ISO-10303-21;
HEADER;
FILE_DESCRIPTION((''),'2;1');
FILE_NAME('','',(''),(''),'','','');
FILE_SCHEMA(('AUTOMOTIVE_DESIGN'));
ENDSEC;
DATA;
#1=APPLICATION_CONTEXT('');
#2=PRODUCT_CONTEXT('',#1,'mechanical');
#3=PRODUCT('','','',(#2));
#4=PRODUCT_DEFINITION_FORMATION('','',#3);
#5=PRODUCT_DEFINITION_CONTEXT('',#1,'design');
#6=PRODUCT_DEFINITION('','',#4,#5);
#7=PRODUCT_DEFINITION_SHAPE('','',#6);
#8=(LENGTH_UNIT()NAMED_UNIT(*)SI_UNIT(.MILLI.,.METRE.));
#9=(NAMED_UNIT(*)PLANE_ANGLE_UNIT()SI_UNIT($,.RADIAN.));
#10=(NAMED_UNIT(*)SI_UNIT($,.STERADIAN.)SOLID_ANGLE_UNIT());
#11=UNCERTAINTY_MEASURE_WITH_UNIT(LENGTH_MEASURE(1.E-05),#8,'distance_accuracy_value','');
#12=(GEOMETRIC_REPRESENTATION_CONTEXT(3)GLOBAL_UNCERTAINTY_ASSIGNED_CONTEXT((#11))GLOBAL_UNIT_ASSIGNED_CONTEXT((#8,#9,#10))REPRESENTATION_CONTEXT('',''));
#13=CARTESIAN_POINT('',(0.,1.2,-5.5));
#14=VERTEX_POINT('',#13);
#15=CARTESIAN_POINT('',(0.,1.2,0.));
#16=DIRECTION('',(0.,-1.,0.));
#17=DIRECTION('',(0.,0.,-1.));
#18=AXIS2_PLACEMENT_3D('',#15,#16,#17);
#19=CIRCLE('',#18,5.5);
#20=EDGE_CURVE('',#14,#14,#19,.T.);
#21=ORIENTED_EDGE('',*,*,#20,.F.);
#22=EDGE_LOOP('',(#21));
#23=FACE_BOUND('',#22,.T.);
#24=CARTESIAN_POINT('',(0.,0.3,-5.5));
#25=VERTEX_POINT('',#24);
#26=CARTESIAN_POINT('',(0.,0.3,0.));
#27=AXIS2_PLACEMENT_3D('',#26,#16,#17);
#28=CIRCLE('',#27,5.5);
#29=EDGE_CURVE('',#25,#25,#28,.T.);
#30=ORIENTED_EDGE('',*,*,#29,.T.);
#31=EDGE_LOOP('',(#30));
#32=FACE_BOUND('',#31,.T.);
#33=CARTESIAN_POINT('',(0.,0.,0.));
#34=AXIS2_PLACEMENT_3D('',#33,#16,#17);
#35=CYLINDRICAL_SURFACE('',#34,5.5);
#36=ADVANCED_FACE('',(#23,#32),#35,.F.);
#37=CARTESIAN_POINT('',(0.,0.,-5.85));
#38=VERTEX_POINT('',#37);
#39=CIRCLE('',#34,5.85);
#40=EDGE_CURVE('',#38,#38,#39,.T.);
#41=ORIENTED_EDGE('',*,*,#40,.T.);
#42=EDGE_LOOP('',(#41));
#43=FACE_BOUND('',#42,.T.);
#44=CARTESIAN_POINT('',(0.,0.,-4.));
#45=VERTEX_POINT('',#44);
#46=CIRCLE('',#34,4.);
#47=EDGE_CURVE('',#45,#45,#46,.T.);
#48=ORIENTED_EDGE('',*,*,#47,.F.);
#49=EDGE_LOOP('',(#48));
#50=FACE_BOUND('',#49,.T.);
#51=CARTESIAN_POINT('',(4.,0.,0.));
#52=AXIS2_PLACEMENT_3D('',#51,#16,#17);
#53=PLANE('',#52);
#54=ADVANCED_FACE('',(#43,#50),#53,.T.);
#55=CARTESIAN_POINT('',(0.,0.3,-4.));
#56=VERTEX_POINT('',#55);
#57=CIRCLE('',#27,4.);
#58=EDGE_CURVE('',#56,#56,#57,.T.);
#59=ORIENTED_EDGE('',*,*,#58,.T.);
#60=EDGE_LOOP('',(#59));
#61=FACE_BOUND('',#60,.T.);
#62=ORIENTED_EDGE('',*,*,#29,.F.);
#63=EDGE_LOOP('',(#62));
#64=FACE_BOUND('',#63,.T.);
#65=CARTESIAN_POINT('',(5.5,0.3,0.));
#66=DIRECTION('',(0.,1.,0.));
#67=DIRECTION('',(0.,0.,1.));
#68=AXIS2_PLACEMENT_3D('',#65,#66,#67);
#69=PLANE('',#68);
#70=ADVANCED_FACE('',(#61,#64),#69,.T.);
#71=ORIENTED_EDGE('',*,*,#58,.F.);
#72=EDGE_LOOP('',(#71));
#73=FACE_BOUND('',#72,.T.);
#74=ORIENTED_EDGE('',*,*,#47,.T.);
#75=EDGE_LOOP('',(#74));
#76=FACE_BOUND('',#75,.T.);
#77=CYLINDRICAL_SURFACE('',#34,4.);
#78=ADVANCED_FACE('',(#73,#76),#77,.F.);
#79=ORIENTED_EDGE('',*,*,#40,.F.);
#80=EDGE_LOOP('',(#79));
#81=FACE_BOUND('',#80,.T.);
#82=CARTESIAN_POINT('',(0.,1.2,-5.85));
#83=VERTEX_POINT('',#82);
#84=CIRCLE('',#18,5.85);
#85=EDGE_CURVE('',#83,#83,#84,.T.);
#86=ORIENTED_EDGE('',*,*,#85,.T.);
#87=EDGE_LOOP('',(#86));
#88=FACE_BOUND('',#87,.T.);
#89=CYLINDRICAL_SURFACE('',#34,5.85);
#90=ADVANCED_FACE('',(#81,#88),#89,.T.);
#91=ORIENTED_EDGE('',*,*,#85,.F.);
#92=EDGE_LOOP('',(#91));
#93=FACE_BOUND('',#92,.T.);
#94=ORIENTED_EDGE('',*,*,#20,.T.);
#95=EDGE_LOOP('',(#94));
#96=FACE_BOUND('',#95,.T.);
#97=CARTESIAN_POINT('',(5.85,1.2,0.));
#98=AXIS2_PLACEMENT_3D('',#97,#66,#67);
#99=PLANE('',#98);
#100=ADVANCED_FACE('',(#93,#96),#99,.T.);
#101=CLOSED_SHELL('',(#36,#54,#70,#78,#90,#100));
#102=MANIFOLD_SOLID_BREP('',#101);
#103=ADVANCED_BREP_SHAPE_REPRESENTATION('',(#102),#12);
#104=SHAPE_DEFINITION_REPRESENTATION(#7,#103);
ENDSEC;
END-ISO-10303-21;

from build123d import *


with BuildPart() as part:
    # Эскиз1 → Повернуть1 (revolve)
    with BuildSketch(Plane.XY):
        Polygon((4, 0), (5.85, 0), (5.85, 1.2), (5.5, 1.2), (5.5, 0.3), (4, 0.3), align=None)
    revolve(axis=Axis((0, 0, 0), (0, 1, 0)))


solid = part.part
